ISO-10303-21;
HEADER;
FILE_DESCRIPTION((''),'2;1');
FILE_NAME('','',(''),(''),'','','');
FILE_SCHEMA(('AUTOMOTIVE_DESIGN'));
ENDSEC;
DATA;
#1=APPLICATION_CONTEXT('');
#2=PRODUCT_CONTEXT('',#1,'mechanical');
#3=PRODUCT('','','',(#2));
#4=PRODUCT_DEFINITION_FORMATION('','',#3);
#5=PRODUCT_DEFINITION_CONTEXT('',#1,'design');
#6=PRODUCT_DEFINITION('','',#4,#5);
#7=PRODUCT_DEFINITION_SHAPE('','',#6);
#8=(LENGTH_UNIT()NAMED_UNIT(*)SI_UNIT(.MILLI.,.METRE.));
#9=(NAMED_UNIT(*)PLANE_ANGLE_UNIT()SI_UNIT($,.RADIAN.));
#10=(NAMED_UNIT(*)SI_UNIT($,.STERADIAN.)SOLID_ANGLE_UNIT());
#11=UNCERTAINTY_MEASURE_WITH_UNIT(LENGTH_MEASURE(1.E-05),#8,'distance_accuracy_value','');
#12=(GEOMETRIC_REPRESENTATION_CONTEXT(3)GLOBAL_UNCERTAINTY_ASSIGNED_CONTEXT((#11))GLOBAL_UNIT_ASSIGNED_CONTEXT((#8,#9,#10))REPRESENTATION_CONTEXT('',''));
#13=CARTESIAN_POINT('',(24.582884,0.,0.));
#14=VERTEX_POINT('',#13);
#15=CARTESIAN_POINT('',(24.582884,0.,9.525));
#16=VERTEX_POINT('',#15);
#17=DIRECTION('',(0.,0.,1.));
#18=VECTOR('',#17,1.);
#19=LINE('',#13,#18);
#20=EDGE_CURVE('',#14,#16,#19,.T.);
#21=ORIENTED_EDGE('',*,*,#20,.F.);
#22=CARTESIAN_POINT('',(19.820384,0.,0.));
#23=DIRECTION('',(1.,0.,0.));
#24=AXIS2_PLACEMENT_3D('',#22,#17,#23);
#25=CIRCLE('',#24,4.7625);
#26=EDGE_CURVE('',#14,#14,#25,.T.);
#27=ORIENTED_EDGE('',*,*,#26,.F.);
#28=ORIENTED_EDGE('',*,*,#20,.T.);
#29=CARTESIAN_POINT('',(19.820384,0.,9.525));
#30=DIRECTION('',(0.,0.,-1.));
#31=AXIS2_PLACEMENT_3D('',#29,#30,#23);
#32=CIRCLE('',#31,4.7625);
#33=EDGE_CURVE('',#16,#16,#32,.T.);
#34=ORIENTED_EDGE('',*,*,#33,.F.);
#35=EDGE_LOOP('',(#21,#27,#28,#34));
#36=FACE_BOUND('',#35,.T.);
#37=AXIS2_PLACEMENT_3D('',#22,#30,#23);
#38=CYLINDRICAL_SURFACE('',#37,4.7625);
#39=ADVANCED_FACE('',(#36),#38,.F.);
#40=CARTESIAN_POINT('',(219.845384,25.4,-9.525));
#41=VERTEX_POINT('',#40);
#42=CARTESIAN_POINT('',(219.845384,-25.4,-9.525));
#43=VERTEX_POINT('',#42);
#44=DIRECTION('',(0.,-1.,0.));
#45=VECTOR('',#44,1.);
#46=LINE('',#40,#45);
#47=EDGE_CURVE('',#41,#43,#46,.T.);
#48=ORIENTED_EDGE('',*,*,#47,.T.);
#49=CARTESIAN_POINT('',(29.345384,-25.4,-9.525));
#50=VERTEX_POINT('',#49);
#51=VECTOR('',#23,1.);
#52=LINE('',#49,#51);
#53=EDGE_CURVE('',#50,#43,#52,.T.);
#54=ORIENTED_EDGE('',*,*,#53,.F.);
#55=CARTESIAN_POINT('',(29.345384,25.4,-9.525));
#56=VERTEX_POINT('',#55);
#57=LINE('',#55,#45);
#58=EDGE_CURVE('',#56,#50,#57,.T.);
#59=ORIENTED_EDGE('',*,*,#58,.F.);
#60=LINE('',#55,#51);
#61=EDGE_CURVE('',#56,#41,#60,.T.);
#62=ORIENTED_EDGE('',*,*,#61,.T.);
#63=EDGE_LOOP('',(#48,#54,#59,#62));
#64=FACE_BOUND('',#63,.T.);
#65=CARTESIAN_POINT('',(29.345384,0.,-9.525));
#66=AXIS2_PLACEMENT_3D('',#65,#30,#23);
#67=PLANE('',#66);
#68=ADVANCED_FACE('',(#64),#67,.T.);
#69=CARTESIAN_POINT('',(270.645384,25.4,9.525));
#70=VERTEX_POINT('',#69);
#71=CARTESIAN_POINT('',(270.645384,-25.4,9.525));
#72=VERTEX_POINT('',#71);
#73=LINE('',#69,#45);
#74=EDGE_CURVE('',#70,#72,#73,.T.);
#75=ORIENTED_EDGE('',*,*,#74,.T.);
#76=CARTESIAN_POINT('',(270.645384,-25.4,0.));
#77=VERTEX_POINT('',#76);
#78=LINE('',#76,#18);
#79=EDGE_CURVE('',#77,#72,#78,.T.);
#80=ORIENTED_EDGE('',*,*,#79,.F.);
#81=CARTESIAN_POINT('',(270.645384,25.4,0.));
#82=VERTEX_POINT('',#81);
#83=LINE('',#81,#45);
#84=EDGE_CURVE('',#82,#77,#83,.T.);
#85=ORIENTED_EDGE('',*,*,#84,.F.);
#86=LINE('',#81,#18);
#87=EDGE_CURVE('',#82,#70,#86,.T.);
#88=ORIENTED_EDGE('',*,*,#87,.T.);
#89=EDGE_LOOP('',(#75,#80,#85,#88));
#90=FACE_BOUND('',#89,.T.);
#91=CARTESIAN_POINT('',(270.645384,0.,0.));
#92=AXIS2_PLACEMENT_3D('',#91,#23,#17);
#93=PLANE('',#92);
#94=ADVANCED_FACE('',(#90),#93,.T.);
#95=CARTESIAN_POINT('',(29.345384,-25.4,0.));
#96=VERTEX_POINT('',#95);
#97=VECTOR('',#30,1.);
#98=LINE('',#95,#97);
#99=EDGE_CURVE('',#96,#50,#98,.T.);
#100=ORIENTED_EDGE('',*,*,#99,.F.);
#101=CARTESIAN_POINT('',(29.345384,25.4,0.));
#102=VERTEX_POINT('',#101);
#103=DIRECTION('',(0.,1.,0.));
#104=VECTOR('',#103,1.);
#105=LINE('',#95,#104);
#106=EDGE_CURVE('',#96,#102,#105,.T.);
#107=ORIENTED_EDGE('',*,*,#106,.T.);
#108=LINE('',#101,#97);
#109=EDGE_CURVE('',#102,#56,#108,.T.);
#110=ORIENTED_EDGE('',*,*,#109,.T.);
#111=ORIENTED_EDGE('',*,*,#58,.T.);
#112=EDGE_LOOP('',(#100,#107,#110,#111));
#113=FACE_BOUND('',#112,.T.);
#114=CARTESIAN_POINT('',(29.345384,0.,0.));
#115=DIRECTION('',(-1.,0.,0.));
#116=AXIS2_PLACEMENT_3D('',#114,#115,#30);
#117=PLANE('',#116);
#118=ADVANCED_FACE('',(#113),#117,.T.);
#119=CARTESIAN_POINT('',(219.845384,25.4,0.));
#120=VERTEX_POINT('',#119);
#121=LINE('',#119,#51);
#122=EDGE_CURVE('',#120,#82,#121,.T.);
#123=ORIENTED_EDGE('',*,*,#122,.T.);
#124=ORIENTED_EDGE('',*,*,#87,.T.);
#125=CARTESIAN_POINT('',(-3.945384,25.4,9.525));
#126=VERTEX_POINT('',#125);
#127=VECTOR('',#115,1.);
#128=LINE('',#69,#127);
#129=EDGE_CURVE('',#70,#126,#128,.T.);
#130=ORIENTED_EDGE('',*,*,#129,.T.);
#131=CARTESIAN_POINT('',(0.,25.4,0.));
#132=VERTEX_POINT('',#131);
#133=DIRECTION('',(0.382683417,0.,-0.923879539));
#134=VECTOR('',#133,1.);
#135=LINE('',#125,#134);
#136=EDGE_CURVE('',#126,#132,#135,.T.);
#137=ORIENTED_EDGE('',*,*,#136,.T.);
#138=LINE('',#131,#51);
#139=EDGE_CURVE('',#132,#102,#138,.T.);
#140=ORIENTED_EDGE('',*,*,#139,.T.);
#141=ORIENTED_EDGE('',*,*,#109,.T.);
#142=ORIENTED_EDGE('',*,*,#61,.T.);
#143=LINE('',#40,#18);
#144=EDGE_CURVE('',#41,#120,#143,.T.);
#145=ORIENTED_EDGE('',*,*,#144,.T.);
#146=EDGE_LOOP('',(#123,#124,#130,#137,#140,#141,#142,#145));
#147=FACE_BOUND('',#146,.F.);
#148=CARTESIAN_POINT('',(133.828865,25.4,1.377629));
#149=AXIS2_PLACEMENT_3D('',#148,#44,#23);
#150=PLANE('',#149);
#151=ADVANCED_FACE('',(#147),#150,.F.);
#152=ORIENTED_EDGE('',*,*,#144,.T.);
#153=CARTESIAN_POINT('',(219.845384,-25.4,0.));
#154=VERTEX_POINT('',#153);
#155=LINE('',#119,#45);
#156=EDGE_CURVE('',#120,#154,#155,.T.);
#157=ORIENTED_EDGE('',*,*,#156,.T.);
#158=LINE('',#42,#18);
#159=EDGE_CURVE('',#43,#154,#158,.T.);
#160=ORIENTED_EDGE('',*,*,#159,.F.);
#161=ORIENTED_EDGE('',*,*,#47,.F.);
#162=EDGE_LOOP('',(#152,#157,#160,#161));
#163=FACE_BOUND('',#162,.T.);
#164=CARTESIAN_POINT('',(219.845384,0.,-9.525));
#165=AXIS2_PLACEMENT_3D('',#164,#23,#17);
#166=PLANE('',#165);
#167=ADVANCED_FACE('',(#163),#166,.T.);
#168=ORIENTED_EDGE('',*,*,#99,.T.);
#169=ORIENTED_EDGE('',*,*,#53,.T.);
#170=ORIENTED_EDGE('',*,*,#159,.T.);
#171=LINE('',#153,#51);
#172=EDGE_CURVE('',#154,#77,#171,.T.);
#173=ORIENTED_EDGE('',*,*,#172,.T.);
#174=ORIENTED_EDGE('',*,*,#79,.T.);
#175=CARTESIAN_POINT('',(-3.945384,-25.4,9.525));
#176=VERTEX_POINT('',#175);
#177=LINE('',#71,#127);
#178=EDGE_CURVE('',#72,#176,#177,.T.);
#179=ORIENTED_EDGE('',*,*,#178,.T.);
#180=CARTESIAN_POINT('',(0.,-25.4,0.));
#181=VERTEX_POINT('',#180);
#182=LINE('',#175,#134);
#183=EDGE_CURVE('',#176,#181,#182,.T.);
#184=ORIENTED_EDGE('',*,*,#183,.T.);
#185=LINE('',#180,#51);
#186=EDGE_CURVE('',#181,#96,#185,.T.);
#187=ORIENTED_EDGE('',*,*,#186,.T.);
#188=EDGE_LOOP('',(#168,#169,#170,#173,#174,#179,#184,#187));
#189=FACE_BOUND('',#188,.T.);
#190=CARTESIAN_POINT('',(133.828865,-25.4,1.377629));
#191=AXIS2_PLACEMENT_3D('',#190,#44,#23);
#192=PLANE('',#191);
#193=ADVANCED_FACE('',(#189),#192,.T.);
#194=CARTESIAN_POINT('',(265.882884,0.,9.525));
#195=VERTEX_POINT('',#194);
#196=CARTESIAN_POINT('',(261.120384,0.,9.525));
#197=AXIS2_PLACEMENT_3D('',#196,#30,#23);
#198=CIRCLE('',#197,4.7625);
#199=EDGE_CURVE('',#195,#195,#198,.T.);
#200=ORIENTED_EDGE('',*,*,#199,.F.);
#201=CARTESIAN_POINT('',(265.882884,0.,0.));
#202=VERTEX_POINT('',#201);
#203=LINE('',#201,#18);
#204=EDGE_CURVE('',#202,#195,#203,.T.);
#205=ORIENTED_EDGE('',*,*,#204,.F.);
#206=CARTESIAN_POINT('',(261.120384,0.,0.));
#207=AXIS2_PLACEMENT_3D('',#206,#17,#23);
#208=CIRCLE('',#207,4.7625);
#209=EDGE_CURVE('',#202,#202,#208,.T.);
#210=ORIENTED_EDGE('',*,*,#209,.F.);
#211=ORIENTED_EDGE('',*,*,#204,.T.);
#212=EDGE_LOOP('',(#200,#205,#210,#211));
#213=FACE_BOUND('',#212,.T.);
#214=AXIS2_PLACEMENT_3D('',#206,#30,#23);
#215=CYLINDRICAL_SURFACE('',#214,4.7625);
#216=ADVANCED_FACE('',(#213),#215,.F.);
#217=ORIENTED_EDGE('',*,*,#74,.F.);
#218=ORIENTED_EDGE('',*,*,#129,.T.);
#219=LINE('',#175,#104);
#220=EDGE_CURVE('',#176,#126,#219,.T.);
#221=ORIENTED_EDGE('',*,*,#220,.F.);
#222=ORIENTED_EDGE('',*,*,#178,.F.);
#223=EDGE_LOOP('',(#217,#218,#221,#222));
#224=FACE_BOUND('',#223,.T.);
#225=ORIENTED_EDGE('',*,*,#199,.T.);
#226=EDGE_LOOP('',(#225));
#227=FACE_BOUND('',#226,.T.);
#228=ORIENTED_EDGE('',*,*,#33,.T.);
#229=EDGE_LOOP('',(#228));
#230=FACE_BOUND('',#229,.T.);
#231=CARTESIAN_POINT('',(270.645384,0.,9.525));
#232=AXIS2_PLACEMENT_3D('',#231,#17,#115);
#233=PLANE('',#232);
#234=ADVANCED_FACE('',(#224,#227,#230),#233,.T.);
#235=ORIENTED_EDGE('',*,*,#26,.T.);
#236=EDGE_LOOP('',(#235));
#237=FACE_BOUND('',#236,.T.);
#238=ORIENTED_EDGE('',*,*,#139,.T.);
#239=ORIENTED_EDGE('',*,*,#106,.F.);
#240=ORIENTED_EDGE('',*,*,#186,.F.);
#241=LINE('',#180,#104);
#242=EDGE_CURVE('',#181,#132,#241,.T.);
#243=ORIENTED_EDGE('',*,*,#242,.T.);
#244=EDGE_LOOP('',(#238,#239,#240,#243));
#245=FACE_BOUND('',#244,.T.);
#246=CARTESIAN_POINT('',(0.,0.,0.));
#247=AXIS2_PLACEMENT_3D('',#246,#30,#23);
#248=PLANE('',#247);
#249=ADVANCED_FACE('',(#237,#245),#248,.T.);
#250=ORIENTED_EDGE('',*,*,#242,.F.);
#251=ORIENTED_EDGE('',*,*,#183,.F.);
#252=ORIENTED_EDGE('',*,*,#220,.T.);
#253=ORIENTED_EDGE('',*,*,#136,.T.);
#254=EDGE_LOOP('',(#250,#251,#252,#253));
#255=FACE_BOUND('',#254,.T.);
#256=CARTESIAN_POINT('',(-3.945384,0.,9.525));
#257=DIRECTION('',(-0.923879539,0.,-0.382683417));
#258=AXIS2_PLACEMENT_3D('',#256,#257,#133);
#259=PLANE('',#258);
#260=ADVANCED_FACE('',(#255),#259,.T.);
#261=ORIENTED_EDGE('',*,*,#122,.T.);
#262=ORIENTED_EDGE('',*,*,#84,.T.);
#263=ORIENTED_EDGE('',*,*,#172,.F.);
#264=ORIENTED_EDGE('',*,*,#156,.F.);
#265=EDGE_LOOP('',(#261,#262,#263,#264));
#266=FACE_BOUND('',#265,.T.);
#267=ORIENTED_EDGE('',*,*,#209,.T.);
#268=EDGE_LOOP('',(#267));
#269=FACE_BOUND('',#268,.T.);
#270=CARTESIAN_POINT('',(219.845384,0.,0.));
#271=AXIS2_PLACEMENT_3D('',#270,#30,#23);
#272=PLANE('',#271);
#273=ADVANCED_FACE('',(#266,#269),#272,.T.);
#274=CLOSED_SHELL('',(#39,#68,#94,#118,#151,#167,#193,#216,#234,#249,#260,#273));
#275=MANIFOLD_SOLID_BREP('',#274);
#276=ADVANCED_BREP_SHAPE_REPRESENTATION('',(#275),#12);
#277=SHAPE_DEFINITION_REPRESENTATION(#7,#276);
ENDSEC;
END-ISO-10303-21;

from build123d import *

# Parameters (mm, degrees)
F1_DEPTH = 25.4
F2_R     = 4.7625
F3_DEPTH = 25.4


with BuildPart() as f1:
    # F0 (on Front) → F1 (new body, symmetric)
    with BuildSketch(Plane.XZ):
        Polygon((29.345384, 0), (29.345384, -9.525), (219.845384, -9.525), (219.845384, 0), (270.645384, 0), (270.645384, 9.525), (-3.945384, 9.525), (0, 0), align=None)
    extrude(amount=F1_DEPTH, both=True)

    # F2 (on Top) → F3 (cut)
    with BuildSketch(Plane.XY):
        with Locations((261.120384, 0)):
            Circle(F2_R)
        with Locations((19.820384, 0)):
            Circle(F2_R)
    extrude(amount=F3_DEPTH, mode=Mode.SUBTRACT)


solid = f1.part
